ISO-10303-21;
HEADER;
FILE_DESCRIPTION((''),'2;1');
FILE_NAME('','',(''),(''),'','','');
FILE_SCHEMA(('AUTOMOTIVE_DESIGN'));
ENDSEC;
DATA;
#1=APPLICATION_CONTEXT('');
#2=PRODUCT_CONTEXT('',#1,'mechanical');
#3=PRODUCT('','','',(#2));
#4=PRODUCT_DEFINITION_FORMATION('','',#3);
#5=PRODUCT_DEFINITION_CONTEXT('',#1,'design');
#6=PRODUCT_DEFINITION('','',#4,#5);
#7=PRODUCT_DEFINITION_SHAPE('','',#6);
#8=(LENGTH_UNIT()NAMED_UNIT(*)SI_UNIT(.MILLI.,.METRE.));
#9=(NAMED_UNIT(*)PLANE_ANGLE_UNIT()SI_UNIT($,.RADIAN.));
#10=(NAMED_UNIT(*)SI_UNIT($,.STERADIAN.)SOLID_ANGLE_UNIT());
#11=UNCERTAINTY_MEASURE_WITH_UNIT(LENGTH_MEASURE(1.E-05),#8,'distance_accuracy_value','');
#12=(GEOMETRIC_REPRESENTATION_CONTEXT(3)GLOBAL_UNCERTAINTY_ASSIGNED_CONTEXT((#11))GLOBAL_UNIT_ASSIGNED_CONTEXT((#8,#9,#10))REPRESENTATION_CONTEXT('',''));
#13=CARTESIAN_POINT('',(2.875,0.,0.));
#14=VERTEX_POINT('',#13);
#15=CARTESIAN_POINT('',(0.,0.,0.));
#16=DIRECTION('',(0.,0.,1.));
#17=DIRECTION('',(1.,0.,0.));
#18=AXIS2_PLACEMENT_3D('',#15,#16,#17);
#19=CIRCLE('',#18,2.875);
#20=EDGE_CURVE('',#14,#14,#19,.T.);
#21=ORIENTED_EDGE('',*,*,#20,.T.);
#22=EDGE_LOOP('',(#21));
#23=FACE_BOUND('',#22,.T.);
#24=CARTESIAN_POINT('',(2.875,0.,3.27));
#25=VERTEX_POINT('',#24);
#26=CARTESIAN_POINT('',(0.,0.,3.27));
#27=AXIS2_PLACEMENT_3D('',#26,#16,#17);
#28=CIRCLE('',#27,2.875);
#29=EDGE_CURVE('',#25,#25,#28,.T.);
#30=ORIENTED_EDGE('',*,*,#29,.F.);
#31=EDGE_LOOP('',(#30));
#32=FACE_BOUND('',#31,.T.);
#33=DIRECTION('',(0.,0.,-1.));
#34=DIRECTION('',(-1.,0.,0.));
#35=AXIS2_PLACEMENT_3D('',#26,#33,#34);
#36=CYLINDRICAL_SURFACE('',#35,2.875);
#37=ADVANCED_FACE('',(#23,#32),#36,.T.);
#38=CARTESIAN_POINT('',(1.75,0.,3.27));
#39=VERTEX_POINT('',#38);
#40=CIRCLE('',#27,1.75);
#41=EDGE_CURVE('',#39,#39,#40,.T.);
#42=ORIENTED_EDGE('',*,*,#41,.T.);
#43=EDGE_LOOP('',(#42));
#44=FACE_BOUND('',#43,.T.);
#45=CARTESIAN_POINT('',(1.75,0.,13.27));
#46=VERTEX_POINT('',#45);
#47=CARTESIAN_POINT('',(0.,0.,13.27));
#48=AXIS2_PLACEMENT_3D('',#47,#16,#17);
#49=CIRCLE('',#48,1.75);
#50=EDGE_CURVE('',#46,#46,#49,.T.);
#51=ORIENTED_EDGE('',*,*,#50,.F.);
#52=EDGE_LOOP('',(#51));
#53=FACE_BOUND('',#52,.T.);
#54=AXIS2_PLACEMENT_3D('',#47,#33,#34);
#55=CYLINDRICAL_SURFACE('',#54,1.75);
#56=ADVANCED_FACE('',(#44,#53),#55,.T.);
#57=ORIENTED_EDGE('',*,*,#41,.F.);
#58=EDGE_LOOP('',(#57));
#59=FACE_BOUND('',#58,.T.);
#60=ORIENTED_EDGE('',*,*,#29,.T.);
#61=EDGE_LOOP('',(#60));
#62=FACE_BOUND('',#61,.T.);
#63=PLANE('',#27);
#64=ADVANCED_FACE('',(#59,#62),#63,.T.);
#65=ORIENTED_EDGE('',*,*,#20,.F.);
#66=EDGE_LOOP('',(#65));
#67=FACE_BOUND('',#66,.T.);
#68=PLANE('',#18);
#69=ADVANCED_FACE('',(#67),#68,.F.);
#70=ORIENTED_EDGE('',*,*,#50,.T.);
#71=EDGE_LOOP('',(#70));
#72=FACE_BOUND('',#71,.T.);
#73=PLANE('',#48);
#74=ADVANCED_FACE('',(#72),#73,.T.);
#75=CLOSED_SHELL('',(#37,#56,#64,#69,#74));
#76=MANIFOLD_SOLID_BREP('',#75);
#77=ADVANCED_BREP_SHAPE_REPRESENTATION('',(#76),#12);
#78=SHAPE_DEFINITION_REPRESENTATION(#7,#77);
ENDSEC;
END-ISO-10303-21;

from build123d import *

# Parameters (mm, degrees)
SKETCH_1_R      = 2.875
EXTRUDE_1_DEPTH = 3.27
SKETCH_2_R      = 1.75
EXTRUDE_2_DEPTH = 10


with BuildPart() as part:
    # 草图1 → 凸台-拉伸1 (new body)
    with BuildSketch(Plane.XY):
        Circle(SKETCH_1_R)
    extrude(amount=EXTRUDE_1_DEPTH)

    # 草图2 → 凸台-拉伸2 (add)
    with BuildSketch(Plane.XY.offset(3.27)):
        Circle(SKETCH_2_R)
    extrude(amount=EXTRUDE_2_DEPTH)


solid = part.part
